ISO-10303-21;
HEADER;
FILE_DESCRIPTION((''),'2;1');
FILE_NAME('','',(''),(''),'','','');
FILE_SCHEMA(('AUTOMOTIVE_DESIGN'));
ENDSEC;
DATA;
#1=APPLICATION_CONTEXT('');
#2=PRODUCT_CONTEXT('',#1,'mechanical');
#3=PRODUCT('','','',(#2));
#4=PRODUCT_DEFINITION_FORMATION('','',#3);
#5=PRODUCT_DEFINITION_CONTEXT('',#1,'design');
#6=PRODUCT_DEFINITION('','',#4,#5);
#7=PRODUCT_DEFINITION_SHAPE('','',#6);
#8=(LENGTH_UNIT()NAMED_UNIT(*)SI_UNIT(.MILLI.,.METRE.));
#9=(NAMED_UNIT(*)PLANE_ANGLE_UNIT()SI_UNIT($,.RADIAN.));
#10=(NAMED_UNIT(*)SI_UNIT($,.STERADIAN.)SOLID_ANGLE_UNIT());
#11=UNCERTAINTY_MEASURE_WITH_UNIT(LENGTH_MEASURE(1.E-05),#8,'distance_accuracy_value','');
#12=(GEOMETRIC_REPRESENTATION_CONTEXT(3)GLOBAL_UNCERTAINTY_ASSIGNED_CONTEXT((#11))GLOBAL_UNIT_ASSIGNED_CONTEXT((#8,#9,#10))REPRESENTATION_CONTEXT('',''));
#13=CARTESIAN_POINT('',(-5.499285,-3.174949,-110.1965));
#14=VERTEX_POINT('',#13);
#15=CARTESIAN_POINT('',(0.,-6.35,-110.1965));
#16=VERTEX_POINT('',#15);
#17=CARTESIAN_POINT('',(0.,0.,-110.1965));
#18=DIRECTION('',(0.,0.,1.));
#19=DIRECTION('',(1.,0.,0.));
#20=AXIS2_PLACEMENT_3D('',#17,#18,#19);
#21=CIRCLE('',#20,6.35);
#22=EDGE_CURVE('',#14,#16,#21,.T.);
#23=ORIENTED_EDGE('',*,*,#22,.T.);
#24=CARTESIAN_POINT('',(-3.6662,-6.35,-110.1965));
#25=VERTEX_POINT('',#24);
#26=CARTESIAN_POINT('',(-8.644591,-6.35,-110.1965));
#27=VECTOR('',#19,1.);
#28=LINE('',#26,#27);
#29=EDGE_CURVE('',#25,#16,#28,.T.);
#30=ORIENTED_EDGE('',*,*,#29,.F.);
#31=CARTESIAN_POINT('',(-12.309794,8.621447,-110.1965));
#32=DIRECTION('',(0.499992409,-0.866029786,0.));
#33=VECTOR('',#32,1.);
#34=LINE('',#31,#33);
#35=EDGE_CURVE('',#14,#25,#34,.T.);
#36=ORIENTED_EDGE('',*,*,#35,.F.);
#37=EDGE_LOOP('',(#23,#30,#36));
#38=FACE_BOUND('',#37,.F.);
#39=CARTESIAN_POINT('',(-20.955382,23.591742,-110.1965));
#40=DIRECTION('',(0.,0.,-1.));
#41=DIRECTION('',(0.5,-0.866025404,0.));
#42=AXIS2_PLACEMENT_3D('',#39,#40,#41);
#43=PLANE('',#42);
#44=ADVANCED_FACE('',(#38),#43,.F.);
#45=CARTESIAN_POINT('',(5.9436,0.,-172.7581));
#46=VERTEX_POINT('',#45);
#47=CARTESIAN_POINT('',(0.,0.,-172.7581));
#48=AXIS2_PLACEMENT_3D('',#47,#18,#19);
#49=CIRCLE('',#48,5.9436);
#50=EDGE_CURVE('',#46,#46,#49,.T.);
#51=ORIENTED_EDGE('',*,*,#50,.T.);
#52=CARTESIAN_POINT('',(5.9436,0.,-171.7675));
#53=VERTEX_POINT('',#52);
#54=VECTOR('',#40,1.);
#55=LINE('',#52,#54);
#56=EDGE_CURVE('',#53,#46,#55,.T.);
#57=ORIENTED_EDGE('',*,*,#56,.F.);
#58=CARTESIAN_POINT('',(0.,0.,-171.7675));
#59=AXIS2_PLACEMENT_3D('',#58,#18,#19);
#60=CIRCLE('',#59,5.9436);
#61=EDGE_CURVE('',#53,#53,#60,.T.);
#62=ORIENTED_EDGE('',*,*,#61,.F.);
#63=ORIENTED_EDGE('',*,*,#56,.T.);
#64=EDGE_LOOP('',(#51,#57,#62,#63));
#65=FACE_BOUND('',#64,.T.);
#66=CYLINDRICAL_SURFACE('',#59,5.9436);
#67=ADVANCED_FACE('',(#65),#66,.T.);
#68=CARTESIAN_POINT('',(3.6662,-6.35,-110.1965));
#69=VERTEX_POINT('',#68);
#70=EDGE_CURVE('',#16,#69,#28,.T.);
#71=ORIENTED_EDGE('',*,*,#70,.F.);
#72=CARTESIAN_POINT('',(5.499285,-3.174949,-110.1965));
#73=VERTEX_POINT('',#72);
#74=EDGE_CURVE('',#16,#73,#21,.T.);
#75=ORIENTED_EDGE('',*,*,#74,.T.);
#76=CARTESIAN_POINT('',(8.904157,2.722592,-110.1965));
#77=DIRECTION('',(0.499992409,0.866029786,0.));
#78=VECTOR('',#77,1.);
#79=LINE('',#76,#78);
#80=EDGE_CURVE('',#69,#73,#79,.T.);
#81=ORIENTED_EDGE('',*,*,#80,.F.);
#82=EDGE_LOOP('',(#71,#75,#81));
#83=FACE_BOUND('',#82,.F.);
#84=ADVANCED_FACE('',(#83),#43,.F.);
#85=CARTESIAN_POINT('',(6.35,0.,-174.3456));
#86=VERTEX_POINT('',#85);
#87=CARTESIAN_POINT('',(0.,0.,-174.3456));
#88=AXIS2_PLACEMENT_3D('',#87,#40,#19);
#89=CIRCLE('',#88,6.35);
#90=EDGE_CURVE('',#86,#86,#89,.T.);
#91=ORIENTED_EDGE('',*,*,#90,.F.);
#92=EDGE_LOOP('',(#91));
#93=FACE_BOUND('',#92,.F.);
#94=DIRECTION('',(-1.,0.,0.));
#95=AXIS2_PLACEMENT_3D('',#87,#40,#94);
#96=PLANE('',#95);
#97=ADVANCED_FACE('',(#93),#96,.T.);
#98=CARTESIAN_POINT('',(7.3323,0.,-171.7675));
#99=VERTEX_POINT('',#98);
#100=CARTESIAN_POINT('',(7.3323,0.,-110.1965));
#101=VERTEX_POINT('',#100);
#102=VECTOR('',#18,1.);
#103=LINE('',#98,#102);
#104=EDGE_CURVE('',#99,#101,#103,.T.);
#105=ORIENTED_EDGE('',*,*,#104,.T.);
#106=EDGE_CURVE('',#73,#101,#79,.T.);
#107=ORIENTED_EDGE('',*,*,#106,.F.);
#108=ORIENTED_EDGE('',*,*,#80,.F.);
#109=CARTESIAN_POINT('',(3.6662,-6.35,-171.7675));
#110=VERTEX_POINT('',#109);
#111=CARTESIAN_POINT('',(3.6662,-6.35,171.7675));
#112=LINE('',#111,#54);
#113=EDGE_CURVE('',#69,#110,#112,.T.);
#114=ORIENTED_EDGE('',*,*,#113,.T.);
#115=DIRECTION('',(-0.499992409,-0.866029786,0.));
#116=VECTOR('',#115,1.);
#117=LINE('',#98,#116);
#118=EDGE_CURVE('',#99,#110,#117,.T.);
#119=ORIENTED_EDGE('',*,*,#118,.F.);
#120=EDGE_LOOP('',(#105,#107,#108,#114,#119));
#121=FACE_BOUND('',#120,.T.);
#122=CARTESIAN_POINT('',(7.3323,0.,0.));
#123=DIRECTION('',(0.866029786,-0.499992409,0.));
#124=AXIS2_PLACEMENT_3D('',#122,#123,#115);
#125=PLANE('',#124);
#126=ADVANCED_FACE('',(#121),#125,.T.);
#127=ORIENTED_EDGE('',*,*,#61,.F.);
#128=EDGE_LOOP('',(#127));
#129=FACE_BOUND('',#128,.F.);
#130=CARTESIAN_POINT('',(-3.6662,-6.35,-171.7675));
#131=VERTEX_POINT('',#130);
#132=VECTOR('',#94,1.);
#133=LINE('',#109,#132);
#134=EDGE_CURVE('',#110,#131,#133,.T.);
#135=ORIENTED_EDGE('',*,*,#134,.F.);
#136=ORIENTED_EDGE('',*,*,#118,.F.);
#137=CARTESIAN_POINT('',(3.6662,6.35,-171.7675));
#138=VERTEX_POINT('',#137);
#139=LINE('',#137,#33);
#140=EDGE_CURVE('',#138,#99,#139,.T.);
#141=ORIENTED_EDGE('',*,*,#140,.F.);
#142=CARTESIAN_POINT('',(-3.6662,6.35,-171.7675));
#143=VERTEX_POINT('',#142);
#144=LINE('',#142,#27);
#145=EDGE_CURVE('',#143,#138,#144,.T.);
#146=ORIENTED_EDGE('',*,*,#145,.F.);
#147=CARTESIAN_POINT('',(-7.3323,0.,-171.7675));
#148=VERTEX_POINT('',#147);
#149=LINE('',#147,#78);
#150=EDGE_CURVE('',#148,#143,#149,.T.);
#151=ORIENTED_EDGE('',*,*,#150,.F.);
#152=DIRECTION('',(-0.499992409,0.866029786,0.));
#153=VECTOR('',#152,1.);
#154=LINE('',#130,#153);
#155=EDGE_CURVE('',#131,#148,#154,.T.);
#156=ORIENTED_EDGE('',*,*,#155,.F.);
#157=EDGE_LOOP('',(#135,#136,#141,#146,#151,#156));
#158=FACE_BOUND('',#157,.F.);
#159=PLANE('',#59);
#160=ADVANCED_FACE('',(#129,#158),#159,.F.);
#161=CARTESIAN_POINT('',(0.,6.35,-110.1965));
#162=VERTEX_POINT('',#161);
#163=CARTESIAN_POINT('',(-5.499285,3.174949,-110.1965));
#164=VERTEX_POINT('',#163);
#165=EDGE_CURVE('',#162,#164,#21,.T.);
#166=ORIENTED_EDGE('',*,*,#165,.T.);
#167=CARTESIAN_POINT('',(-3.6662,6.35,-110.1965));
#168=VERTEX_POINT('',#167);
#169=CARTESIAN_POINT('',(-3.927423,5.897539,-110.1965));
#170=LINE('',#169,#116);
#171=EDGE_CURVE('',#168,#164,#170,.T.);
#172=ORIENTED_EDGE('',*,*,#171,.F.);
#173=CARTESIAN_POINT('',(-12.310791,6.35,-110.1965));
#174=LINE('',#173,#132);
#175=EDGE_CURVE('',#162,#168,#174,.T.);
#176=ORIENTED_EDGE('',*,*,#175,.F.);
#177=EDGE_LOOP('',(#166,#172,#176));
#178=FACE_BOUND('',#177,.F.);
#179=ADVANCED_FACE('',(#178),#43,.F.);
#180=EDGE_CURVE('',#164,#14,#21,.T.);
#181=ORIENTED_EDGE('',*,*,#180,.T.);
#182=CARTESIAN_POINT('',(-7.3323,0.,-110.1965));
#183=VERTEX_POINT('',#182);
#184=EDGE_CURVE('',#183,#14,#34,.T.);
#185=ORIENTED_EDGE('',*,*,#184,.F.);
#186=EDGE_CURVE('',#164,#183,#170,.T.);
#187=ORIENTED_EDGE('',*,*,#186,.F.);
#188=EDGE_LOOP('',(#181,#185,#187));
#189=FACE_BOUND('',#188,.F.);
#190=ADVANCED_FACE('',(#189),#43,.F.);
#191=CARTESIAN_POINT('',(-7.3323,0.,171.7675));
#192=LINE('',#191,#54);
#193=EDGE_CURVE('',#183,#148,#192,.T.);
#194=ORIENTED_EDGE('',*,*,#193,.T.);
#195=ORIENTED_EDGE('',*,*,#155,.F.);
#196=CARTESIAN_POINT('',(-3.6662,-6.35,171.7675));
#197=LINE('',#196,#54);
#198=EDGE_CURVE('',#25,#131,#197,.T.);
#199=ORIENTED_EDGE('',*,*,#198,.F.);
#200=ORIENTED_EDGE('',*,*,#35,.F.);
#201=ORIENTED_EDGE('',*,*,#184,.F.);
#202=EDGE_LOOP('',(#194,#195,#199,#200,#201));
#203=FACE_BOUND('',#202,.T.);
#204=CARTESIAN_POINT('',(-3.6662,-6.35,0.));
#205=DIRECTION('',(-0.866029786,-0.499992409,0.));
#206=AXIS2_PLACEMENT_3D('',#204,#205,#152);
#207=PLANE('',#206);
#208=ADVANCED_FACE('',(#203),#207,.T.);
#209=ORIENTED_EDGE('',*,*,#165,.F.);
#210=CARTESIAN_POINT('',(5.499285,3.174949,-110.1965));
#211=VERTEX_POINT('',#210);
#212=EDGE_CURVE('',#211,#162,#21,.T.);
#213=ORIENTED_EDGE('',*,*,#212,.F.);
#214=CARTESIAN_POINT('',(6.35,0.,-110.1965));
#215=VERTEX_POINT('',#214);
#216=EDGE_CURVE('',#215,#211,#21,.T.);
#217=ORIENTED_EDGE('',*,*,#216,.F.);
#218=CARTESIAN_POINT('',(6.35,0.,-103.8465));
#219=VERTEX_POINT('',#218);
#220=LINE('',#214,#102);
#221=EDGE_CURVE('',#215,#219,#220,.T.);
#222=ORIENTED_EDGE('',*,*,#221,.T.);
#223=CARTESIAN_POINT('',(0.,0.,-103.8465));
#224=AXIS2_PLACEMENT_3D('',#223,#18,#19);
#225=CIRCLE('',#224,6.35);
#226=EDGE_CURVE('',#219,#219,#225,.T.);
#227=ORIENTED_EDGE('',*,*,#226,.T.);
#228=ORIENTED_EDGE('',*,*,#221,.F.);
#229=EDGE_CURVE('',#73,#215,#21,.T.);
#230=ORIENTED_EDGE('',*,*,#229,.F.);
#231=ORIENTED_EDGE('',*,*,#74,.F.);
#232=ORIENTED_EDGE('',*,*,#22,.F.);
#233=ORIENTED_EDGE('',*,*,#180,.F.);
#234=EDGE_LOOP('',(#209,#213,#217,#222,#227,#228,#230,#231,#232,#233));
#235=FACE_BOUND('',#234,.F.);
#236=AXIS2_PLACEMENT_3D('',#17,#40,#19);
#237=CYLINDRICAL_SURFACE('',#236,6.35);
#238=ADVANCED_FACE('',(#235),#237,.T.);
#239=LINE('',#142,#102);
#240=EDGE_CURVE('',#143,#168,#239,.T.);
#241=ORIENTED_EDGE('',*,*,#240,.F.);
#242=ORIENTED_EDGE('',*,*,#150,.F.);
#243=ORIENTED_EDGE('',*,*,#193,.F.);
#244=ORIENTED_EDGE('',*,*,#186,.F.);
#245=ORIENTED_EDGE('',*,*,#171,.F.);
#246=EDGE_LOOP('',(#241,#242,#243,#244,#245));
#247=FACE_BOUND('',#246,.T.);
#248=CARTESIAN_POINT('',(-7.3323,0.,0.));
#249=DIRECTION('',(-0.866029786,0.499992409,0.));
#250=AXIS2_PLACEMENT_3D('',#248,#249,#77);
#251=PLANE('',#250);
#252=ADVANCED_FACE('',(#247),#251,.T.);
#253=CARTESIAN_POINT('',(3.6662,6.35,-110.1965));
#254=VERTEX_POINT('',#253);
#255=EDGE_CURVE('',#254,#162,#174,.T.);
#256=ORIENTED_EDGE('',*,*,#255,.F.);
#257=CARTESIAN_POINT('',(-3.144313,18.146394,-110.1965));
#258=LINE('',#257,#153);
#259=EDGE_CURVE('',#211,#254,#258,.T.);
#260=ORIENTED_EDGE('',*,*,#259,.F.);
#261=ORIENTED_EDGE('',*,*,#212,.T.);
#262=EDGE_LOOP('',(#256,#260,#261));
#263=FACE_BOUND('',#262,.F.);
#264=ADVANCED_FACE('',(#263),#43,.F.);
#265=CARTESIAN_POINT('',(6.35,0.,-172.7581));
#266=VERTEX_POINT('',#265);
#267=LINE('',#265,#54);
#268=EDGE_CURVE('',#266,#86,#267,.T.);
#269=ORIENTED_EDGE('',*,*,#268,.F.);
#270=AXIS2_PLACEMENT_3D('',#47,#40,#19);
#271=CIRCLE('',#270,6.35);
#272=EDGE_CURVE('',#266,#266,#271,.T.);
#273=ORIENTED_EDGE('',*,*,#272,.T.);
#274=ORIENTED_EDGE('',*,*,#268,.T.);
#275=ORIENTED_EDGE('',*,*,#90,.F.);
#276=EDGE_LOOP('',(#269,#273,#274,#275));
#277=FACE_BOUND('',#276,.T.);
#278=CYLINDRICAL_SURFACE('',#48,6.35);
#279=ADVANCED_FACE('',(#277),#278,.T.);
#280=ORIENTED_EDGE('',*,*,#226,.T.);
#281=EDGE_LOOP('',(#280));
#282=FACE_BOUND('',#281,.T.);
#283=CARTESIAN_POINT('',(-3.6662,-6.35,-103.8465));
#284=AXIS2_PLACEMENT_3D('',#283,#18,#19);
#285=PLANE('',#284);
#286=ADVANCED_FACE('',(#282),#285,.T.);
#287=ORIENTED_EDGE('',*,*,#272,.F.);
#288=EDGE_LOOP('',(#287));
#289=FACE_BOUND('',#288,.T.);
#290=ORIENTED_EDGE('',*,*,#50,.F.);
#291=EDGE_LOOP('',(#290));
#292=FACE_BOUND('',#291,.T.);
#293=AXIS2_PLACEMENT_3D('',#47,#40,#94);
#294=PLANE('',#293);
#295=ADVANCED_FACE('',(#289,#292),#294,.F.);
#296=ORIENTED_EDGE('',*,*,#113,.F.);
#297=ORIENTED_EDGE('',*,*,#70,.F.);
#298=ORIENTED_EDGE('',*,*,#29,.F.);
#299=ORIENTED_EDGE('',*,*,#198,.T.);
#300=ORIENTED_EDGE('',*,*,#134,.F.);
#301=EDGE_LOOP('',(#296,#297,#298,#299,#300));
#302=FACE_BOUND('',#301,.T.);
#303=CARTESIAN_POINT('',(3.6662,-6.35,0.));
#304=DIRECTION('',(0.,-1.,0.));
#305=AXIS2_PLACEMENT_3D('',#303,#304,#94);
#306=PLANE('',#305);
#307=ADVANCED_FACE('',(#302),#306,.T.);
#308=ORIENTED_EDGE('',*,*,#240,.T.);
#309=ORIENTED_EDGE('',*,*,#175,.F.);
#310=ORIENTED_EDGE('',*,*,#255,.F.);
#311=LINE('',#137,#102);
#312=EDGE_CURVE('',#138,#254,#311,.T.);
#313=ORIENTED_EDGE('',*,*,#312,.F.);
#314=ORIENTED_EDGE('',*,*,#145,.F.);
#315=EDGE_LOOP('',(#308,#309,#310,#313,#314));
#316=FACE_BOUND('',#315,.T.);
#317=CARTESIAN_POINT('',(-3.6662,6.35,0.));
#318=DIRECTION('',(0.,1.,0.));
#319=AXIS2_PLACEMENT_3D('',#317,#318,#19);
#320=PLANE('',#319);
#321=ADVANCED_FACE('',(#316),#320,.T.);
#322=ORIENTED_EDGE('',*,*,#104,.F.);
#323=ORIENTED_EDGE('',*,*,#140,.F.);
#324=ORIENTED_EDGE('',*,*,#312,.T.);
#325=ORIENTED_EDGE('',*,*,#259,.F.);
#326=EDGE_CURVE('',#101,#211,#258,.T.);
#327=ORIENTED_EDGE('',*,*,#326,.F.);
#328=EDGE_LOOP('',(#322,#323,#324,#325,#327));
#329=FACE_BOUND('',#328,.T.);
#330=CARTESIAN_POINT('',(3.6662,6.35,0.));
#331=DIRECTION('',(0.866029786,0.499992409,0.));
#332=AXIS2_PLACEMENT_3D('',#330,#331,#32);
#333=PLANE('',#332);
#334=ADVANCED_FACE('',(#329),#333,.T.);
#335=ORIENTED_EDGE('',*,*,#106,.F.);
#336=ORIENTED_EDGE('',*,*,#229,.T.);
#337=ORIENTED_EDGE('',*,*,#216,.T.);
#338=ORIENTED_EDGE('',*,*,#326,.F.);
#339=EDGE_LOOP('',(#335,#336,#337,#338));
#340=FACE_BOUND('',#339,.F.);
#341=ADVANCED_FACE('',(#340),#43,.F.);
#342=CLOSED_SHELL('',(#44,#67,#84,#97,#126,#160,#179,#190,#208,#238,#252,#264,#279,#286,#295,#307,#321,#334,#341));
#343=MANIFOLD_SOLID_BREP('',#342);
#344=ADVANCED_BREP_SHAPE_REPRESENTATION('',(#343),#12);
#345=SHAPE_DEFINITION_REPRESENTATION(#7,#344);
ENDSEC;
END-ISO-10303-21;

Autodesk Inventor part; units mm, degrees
ref_plane "YZ Plane" through (0, 0, 0) normal (1, 0, 0) x (0, 1, 0)
ref_plane "XZ Plane" through (0, 0, 0) normal (0, 1, 0) x (-1, 0, 0)
ref_plane "XY Plane" through (0, 0, 0) normal (0, 0, 1) x (1, 0, 0)
sketch "Sketch1" plane through (0, 0, 0) normal (0, 0, 1) x (1, 0, 0)
  line L0 (7.3323, 0) -> (3.6662, -6.35)
  line L1 (3.6662, -6.35) -> (-3.6662, -6.35)
  line L2 (-3.6662, -6.35) -> (-7.3323, 0)
  line L3 (-7.3323, 0) -> (-3.6662, 6.35)
  line L4 (-3.6662, 6.35) -> (3.6662, 6.35)
  line L5 (3.6662, 6.35) -> (7.3323, 0)
  point P0 (0, 0)
  point P1 (0, 0)
  dimension "d0" = 12.7
extrude "Extrusion1" add sketch "Sketch1" along normal mid plane 343.535
sketch "Sketch2" plane through (0, 0, 171.7675) normal (0, 0, 1) x (1, 0, 0)
  circle A0 centre (0, 0) radius 5.9436
  dimension "d3" = 11.8872
extrude "Extrusion2" add sketch "Sketch2" along normal blind 0.9906
sketch "Sketch3" plane through (0, 0, 172.7581) normal (0, 0, 1) x (1, 0, 0)
  circle A0 centre (0, 0) radius 5.9436 projected
  line L0 (3.6662, -6.35) -> (7.3323, 0) projected
  line L1 (7.3323, 0) -> (3.6662, 6.35) projected
  line L2 (3.6662, 6.35) -> (-3.6662, 6.35) projected
  line L3 (-3.6662, 6.35) -> (-7.3323, 0) projected
  line L4 (-7.3323, 0) -> (-3.6662, -6.35) projected
  line L5 (-3.6662, -6.35) -> (3.6662, -6.35) projected
  circle A1 centre (0, 0) radius 6.35
extrude "Extrusion3" add sketch "Sketch3" along normal blind 1.5875 contours A0 | A1
mirror "Mirror1" about plane through (0, 0, 0) normal (0, 0, 1) of "Extrusion2", "Extrusion3"
sketch "Sketch4" plane through (-3.6662, -6.35, -171.7675) normal (-0.866, -0.5, 0) x (0, 0, 1)
  line L0 (61.571, -23.211) -> (381.4095, -23.211)
  line L1 (381.4095, -23.211) -> (381.4095, 34.5749)
  line L2 (381.4095, 34.5749) -> (61.571, 34.5749)
  line L3 (61.571, 34.5749) -> (61.571, -23.211)
  point P0 (171.7675, 3.6662)
extrude "Extrusion4" cut sketch "Sketch4" against normal blind 25.4
sketch "Sketch5" plane through (-3.6662, -6.35, -110.1965) normal (0, 0, 1) x (1, 0, 0)
  circle A0 centre (3.6662, 6.35) radius 6.35
  dimension "d10" = 12.7
extrude "Extrusion5" add sketch "Sketch5" along normal blind 6.35
properties part number "ARM_010_2.75inHexShaft" material "Aluminum 6061"
